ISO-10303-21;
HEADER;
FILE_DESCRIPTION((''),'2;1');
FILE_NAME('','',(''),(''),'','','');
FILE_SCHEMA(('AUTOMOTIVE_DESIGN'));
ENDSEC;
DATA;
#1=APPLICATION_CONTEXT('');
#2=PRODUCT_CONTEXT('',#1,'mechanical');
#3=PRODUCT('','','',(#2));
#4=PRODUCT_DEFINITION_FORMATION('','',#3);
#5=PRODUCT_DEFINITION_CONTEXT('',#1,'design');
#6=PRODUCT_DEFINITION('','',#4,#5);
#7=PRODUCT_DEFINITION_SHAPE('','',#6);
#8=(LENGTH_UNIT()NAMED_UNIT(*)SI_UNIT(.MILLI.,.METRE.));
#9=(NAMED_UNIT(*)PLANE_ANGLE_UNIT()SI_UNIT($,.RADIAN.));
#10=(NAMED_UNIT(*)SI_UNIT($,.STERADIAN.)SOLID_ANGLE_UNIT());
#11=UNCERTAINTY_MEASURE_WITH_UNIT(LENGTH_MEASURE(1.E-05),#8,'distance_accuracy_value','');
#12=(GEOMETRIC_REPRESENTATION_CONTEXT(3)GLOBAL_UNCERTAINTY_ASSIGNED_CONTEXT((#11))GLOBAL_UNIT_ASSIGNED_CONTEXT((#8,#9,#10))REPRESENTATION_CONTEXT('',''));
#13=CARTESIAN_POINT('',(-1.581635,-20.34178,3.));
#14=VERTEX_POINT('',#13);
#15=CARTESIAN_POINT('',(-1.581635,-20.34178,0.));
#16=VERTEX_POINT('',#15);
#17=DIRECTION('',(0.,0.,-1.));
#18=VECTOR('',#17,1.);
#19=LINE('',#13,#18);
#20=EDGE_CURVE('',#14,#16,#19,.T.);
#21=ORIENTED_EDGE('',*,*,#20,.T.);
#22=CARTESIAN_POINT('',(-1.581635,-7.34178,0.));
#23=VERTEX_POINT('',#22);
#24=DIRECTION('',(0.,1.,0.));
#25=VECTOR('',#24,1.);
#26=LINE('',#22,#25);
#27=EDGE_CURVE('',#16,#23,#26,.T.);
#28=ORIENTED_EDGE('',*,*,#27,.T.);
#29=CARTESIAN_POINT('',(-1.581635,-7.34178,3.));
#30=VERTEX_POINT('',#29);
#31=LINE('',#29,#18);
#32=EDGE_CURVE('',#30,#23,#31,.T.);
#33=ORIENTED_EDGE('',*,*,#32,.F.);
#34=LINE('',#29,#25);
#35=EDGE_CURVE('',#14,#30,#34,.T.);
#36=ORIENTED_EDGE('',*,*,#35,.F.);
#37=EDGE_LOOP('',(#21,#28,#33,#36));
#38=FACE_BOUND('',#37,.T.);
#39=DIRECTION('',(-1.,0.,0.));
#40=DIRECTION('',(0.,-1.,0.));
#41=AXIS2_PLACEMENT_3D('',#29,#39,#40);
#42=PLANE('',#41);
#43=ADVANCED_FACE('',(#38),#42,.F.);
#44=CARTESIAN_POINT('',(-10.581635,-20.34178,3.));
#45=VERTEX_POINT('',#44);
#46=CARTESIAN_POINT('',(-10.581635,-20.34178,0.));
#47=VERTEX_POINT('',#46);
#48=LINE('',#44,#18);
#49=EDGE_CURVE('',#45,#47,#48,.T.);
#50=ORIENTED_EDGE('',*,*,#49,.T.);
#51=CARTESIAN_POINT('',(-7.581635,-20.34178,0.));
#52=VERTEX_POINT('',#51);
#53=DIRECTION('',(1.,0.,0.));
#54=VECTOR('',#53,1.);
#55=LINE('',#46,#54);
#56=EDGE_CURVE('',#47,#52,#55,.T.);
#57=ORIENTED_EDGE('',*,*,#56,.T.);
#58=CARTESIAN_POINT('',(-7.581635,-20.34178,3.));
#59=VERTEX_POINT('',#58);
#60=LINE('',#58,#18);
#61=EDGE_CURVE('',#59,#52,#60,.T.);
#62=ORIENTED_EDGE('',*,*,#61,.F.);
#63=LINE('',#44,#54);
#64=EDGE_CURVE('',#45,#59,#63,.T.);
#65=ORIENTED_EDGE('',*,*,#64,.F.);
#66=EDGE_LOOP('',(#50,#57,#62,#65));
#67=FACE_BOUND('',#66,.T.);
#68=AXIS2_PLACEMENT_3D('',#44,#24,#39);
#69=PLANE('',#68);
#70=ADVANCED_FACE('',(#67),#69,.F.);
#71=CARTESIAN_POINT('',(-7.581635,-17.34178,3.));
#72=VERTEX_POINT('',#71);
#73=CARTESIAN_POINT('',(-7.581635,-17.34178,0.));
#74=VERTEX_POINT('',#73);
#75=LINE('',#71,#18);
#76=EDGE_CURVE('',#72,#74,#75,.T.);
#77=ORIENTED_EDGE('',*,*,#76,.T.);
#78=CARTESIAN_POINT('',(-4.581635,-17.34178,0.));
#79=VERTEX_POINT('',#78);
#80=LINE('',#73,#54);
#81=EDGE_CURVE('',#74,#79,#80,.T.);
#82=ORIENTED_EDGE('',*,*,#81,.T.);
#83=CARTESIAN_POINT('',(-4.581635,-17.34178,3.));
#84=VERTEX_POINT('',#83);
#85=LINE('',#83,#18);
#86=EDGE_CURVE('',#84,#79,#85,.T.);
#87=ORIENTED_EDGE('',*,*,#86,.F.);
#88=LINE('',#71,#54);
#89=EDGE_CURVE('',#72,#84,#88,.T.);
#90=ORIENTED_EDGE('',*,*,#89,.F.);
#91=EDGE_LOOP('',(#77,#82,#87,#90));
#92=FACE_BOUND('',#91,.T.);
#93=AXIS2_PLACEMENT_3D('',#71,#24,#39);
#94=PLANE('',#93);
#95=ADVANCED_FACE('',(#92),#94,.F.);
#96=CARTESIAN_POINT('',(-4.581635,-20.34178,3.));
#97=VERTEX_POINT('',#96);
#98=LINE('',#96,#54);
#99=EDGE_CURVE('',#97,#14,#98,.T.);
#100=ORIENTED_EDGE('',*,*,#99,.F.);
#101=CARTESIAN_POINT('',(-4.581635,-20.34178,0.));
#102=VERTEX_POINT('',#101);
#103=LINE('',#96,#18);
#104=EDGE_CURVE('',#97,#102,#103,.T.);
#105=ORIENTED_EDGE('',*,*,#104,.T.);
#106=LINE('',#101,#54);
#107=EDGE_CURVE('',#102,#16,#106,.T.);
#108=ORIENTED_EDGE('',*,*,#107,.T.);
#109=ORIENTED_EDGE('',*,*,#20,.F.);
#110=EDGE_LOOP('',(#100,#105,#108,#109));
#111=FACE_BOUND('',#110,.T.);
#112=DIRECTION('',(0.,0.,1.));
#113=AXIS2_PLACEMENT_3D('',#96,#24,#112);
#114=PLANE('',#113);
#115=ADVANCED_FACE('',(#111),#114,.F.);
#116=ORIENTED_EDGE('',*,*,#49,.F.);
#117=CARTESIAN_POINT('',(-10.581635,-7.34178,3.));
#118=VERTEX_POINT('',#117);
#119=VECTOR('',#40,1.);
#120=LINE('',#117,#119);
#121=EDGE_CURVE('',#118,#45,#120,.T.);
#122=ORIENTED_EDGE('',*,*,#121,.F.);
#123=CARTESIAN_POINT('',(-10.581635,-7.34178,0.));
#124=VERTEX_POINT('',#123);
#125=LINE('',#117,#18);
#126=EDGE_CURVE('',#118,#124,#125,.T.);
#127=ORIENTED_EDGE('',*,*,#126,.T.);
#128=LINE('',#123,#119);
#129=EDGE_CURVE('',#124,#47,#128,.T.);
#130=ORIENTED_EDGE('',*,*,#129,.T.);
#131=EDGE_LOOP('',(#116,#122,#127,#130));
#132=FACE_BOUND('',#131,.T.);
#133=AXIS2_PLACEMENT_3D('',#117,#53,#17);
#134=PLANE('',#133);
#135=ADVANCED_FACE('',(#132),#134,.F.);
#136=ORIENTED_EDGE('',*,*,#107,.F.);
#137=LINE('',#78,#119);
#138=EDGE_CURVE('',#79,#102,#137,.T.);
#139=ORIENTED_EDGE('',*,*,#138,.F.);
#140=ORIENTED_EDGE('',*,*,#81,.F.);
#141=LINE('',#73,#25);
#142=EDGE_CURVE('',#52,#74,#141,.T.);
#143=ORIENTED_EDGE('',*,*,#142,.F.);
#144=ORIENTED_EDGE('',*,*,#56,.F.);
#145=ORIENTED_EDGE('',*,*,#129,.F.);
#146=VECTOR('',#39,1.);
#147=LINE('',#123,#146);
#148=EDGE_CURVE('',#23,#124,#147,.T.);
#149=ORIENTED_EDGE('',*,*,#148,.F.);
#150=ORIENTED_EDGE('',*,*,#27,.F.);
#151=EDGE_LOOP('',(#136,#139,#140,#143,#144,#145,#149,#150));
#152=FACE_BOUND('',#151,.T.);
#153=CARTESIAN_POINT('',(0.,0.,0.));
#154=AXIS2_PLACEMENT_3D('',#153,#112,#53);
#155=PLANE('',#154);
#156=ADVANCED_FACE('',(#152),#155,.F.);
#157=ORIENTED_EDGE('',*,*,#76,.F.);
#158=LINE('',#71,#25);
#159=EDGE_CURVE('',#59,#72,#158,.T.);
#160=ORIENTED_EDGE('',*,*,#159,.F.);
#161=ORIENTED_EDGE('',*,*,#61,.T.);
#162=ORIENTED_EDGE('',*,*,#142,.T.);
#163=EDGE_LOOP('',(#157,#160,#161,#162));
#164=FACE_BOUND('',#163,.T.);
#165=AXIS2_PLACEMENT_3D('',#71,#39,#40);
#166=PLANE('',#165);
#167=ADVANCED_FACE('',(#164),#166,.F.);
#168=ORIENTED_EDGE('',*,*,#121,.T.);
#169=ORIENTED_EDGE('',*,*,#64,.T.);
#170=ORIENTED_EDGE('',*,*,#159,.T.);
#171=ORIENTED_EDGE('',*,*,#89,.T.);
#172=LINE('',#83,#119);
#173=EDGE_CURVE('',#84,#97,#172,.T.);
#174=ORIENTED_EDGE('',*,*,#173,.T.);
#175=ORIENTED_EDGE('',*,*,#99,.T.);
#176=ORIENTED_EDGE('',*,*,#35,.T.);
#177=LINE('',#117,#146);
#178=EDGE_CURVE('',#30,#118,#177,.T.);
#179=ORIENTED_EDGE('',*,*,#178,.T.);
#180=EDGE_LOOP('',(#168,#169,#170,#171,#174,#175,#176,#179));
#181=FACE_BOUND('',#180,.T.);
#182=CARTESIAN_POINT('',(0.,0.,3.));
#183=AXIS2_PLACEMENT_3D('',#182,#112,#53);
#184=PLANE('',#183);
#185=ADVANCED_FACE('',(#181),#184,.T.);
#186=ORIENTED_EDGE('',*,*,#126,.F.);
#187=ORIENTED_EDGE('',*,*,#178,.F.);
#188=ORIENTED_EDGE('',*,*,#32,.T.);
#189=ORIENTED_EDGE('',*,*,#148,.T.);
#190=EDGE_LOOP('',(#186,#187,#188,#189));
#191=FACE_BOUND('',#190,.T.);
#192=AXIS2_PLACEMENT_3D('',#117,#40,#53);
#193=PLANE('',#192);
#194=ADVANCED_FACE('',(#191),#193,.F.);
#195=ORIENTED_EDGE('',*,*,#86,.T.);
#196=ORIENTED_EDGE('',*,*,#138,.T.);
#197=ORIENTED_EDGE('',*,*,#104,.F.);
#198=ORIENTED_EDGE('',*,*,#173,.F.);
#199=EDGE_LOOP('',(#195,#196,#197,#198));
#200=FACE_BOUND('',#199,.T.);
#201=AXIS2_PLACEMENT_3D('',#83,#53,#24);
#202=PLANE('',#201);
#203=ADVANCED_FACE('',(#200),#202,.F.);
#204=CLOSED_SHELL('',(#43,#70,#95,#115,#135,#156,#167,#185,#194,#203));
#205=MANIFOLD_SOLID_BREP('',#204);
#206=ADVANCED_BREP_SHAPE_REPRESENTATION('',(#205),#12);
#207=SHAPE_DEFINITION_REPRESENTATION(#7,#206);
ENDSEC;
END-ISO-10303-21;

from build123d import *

# Parameters (mm, degrees)
BOSS_EXTRUDE1_DEPTH = 3


with BuildPart() as part:
    # Sketch1 → Boss-Extrude1 (new body)
    with BuildSketch(Plane.XY):
        Polygon((-4.581635068, -20.341779987), (-1.581635068, -20.341779987), (-1.581635068, -7.341779987), (-10.581635068, -7.341779987), (-10.581635068, -20.341779987), (-7.581635068, -20.341779987), (-7.581635068, -17.341779987), (-4.581635068, -17.341779987), align=None)
    extrude(amount=BOSS_EXTRUDE1_DEPTH)


solid = part.part
